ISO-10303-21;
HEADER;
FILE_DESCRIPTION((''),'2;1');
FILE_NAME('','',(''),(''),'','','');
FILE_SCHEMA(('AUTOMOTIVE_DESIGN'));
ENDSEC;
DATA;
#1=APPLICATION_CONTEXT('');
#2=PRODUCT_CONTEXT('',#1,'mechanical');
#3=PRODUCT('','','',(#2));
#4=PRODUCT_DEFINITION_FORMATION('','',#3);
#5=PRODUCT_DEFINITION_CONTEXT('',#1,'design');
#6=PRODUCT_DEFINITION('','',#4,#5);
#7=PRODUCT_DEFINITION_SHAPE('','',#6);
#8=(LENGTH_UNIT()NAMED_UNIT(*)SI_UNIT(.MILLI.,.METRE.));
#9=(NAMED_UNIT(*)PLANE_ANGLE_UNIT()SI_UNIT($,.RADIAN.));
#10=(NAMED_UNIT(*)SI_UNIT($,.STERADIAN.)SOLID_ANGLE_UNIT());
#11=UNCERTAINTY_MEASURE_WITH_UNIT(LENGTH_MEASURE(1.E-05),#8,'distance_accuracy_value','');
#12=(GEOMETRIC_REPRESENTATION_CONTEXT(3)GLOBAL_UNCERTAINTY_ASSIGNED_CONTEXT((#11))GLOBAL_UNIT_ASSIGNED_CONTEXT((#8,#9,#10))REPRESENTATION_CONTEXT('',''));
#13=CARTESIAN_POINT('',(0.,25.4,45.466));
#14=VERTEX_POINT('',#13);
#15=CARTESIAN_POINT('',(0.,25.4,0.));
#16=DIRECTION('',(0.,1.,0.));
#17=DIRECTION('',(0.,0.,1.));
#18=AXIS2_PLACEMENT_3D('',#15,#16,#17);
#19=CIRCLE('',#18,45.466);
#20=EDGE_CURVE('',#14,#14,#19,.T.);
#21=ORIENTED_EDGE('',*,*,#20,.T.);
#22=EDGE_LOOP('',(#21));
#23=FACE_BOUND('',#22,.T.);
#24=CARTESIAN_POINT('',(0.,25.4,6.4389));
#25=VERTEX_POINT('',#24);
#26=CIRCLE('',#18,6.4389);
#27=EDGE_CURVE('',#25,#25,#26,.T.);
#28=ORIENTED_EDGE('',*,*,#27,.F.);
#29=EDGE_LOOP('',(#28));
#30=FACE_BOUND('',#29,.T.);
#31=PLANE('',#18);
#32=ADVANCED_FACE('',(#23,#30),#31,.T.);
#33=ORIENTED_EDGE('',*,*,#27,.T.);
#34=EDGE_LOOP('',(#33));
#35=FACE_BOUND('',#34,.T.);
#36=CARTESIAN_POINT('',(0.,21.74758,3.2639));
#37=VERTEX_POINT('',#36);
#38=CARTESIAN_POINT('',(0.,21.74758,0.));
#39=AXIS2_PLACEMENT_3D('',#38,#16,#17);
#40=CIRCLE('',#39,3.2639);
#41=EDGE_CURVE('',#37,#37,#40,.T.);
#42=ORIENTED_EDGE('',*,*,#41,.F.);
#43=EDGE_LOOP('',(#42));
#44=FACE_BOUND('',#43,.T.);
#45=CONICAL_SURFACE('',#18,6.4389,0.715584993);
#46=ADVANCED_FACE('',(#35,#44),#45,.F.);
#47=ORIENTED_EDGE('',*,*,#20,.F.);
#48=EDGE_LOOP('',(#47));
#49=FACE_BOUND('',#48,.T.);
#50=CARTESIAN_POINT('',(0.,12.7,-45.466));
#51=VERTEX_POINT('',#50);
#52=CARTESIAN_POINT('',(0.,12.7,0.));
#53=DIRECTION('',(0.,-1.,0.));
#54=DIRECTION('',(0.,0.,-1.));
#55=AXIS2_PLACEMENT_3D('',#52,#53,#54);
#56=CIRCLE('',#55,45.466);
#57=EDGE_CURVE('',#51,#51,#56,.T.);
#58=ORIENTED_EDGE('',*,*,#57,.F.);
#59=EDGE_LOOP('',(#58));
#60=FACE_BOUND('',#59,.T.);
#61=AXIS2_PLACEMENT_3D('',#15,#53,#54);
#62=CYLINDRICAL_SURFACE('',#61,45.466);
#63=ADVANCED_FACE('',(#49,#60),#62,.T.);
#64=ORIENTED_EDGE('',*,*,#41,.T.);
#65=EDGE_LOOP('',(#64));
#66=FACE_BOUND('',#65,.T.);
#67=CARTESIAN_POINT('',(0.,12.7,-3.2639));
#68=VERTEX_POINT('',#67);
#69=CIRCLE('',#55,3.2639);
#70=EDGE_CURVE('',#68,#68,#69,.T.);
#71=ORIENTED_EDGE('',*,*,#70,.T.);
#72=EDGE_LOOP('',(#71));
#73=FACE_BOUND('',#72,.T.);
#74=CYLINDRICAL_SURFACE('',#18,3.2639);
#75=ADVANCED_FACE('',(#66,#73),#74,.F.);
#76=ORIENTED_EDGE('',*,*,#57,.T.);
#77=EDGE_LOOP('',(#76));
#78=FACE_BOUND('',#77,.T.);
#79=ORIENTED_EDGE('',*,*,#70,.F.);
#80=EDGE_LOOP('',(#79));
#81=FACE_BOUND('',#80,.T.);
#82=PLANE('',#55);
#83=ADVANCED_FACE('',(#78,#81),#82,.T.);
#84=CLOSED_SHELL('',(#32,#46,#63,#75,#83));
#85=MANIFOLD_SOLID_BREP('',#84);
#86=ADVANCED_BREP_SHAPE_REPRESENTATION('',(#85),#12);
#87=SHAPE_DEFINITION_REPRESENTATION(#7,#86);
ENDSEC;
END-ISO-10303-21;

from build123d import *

# Parameters (mm, degrees)
SKETCH1_R                                        = 45.466
BOSS_EXTRUDE1_DEPTH                              = 25.4
SKETCH3_R                                        = 20.32
CUT_EXTRUDE1_DEPTH                               = 12.7
CSK_FOR_1_4_FLAT_HEAD_MACHINE_SCREW1_D           = 6.5278
CSK_FOR_1_4_FLAT_HEAD_MACHINE_SCREW1_DEPTH       = 25.4
CSK_FOR_1_4_FLAT_HEAD_MACHINE_SCREW1_CSINK_D     = 12.8778
CSK_FOR_1_4_FLAT_HEAD_MACHINE_SCREW1_CSINK_ANGLE = 82
CSK_FOR_1_4_FLAT_HEAD_MACHINE_SCREW1_TIP         = 1.961148974
SKETCH9_R                                        = 53.031918303
CUT_EXTRUDE3_DEPTH                               = 12.7


with BuildPart() as part:
    # Sketch1 → Boss-Extrude1 (new body)
    with BuildSketch(Plane(origin=(0, 0, 0), x_dir=(1, 0, 0), z_dir=(0, 1, 0))):
        Circle(SKETCH1_R)
    extrude(amount=BOSS_EXTRUDE1_DEPTH)

    # Sketch3 → Cut-Extrude1 (cut)
    with BuildSketch(Plane.XZ):
        Circle(SKETCH3_R)
    extrude(amount=-CUT_EXTRUDE1_DEPTH, mode=Mode.SUBTRACT)

    # CSK for 1/4 Flat Head Machine Screw1
    with Locations(Plane(origin=(0, 25.4, 0), x_dir=(1, 0, 0), z_dir=(0, 1, 0))):
        with Locations((0, 0)):
            CounterSinkHole(CSK_FOR_1_4_FLAT_HEAD_MACHINE_SCREW1_D / 2, CSK_FOR_1_4_FLAT_HEAD_MACHINE_SCREW1_CSINK_D / 2, depth=CSK_FOR_1_4_FLAT_HEAD_MACHINE_SCREW1_DEPTH, counter_sink_angle=CSK_FOR_1_4_FLAT_HEAD_MACHINE_SCREW1_CSINK_ANGLE)
            with Locations((0, 0, -(CSK_FOR_1_4_FLAT_HEAD_MACHINE_SCREW1_DEPTH + CSK_FOR_1_4_FLAT_HEAD_MACHINE_SCREW1_TIP / 2))):  # 118° drill point
                Cone(0, CSK_FOR_1_4_FLAT_HEAD_MACHINE_SCREW1_D / 2, CSK_FOR_1_4_FLAT_HEAD_MACHINE_SCREW1_TIP, mode=Mode.SUBTRACT)

    # Sketch9 → Cut-Extrude3 (cut)
    with BuildSketch(Plane.XZ):
        Circle(SKETCH9_R)
    extrude(amount=-CUT_EXTRUDE3_DEPTH, mode=Mode.SUBTRACT)


solid = part.part
